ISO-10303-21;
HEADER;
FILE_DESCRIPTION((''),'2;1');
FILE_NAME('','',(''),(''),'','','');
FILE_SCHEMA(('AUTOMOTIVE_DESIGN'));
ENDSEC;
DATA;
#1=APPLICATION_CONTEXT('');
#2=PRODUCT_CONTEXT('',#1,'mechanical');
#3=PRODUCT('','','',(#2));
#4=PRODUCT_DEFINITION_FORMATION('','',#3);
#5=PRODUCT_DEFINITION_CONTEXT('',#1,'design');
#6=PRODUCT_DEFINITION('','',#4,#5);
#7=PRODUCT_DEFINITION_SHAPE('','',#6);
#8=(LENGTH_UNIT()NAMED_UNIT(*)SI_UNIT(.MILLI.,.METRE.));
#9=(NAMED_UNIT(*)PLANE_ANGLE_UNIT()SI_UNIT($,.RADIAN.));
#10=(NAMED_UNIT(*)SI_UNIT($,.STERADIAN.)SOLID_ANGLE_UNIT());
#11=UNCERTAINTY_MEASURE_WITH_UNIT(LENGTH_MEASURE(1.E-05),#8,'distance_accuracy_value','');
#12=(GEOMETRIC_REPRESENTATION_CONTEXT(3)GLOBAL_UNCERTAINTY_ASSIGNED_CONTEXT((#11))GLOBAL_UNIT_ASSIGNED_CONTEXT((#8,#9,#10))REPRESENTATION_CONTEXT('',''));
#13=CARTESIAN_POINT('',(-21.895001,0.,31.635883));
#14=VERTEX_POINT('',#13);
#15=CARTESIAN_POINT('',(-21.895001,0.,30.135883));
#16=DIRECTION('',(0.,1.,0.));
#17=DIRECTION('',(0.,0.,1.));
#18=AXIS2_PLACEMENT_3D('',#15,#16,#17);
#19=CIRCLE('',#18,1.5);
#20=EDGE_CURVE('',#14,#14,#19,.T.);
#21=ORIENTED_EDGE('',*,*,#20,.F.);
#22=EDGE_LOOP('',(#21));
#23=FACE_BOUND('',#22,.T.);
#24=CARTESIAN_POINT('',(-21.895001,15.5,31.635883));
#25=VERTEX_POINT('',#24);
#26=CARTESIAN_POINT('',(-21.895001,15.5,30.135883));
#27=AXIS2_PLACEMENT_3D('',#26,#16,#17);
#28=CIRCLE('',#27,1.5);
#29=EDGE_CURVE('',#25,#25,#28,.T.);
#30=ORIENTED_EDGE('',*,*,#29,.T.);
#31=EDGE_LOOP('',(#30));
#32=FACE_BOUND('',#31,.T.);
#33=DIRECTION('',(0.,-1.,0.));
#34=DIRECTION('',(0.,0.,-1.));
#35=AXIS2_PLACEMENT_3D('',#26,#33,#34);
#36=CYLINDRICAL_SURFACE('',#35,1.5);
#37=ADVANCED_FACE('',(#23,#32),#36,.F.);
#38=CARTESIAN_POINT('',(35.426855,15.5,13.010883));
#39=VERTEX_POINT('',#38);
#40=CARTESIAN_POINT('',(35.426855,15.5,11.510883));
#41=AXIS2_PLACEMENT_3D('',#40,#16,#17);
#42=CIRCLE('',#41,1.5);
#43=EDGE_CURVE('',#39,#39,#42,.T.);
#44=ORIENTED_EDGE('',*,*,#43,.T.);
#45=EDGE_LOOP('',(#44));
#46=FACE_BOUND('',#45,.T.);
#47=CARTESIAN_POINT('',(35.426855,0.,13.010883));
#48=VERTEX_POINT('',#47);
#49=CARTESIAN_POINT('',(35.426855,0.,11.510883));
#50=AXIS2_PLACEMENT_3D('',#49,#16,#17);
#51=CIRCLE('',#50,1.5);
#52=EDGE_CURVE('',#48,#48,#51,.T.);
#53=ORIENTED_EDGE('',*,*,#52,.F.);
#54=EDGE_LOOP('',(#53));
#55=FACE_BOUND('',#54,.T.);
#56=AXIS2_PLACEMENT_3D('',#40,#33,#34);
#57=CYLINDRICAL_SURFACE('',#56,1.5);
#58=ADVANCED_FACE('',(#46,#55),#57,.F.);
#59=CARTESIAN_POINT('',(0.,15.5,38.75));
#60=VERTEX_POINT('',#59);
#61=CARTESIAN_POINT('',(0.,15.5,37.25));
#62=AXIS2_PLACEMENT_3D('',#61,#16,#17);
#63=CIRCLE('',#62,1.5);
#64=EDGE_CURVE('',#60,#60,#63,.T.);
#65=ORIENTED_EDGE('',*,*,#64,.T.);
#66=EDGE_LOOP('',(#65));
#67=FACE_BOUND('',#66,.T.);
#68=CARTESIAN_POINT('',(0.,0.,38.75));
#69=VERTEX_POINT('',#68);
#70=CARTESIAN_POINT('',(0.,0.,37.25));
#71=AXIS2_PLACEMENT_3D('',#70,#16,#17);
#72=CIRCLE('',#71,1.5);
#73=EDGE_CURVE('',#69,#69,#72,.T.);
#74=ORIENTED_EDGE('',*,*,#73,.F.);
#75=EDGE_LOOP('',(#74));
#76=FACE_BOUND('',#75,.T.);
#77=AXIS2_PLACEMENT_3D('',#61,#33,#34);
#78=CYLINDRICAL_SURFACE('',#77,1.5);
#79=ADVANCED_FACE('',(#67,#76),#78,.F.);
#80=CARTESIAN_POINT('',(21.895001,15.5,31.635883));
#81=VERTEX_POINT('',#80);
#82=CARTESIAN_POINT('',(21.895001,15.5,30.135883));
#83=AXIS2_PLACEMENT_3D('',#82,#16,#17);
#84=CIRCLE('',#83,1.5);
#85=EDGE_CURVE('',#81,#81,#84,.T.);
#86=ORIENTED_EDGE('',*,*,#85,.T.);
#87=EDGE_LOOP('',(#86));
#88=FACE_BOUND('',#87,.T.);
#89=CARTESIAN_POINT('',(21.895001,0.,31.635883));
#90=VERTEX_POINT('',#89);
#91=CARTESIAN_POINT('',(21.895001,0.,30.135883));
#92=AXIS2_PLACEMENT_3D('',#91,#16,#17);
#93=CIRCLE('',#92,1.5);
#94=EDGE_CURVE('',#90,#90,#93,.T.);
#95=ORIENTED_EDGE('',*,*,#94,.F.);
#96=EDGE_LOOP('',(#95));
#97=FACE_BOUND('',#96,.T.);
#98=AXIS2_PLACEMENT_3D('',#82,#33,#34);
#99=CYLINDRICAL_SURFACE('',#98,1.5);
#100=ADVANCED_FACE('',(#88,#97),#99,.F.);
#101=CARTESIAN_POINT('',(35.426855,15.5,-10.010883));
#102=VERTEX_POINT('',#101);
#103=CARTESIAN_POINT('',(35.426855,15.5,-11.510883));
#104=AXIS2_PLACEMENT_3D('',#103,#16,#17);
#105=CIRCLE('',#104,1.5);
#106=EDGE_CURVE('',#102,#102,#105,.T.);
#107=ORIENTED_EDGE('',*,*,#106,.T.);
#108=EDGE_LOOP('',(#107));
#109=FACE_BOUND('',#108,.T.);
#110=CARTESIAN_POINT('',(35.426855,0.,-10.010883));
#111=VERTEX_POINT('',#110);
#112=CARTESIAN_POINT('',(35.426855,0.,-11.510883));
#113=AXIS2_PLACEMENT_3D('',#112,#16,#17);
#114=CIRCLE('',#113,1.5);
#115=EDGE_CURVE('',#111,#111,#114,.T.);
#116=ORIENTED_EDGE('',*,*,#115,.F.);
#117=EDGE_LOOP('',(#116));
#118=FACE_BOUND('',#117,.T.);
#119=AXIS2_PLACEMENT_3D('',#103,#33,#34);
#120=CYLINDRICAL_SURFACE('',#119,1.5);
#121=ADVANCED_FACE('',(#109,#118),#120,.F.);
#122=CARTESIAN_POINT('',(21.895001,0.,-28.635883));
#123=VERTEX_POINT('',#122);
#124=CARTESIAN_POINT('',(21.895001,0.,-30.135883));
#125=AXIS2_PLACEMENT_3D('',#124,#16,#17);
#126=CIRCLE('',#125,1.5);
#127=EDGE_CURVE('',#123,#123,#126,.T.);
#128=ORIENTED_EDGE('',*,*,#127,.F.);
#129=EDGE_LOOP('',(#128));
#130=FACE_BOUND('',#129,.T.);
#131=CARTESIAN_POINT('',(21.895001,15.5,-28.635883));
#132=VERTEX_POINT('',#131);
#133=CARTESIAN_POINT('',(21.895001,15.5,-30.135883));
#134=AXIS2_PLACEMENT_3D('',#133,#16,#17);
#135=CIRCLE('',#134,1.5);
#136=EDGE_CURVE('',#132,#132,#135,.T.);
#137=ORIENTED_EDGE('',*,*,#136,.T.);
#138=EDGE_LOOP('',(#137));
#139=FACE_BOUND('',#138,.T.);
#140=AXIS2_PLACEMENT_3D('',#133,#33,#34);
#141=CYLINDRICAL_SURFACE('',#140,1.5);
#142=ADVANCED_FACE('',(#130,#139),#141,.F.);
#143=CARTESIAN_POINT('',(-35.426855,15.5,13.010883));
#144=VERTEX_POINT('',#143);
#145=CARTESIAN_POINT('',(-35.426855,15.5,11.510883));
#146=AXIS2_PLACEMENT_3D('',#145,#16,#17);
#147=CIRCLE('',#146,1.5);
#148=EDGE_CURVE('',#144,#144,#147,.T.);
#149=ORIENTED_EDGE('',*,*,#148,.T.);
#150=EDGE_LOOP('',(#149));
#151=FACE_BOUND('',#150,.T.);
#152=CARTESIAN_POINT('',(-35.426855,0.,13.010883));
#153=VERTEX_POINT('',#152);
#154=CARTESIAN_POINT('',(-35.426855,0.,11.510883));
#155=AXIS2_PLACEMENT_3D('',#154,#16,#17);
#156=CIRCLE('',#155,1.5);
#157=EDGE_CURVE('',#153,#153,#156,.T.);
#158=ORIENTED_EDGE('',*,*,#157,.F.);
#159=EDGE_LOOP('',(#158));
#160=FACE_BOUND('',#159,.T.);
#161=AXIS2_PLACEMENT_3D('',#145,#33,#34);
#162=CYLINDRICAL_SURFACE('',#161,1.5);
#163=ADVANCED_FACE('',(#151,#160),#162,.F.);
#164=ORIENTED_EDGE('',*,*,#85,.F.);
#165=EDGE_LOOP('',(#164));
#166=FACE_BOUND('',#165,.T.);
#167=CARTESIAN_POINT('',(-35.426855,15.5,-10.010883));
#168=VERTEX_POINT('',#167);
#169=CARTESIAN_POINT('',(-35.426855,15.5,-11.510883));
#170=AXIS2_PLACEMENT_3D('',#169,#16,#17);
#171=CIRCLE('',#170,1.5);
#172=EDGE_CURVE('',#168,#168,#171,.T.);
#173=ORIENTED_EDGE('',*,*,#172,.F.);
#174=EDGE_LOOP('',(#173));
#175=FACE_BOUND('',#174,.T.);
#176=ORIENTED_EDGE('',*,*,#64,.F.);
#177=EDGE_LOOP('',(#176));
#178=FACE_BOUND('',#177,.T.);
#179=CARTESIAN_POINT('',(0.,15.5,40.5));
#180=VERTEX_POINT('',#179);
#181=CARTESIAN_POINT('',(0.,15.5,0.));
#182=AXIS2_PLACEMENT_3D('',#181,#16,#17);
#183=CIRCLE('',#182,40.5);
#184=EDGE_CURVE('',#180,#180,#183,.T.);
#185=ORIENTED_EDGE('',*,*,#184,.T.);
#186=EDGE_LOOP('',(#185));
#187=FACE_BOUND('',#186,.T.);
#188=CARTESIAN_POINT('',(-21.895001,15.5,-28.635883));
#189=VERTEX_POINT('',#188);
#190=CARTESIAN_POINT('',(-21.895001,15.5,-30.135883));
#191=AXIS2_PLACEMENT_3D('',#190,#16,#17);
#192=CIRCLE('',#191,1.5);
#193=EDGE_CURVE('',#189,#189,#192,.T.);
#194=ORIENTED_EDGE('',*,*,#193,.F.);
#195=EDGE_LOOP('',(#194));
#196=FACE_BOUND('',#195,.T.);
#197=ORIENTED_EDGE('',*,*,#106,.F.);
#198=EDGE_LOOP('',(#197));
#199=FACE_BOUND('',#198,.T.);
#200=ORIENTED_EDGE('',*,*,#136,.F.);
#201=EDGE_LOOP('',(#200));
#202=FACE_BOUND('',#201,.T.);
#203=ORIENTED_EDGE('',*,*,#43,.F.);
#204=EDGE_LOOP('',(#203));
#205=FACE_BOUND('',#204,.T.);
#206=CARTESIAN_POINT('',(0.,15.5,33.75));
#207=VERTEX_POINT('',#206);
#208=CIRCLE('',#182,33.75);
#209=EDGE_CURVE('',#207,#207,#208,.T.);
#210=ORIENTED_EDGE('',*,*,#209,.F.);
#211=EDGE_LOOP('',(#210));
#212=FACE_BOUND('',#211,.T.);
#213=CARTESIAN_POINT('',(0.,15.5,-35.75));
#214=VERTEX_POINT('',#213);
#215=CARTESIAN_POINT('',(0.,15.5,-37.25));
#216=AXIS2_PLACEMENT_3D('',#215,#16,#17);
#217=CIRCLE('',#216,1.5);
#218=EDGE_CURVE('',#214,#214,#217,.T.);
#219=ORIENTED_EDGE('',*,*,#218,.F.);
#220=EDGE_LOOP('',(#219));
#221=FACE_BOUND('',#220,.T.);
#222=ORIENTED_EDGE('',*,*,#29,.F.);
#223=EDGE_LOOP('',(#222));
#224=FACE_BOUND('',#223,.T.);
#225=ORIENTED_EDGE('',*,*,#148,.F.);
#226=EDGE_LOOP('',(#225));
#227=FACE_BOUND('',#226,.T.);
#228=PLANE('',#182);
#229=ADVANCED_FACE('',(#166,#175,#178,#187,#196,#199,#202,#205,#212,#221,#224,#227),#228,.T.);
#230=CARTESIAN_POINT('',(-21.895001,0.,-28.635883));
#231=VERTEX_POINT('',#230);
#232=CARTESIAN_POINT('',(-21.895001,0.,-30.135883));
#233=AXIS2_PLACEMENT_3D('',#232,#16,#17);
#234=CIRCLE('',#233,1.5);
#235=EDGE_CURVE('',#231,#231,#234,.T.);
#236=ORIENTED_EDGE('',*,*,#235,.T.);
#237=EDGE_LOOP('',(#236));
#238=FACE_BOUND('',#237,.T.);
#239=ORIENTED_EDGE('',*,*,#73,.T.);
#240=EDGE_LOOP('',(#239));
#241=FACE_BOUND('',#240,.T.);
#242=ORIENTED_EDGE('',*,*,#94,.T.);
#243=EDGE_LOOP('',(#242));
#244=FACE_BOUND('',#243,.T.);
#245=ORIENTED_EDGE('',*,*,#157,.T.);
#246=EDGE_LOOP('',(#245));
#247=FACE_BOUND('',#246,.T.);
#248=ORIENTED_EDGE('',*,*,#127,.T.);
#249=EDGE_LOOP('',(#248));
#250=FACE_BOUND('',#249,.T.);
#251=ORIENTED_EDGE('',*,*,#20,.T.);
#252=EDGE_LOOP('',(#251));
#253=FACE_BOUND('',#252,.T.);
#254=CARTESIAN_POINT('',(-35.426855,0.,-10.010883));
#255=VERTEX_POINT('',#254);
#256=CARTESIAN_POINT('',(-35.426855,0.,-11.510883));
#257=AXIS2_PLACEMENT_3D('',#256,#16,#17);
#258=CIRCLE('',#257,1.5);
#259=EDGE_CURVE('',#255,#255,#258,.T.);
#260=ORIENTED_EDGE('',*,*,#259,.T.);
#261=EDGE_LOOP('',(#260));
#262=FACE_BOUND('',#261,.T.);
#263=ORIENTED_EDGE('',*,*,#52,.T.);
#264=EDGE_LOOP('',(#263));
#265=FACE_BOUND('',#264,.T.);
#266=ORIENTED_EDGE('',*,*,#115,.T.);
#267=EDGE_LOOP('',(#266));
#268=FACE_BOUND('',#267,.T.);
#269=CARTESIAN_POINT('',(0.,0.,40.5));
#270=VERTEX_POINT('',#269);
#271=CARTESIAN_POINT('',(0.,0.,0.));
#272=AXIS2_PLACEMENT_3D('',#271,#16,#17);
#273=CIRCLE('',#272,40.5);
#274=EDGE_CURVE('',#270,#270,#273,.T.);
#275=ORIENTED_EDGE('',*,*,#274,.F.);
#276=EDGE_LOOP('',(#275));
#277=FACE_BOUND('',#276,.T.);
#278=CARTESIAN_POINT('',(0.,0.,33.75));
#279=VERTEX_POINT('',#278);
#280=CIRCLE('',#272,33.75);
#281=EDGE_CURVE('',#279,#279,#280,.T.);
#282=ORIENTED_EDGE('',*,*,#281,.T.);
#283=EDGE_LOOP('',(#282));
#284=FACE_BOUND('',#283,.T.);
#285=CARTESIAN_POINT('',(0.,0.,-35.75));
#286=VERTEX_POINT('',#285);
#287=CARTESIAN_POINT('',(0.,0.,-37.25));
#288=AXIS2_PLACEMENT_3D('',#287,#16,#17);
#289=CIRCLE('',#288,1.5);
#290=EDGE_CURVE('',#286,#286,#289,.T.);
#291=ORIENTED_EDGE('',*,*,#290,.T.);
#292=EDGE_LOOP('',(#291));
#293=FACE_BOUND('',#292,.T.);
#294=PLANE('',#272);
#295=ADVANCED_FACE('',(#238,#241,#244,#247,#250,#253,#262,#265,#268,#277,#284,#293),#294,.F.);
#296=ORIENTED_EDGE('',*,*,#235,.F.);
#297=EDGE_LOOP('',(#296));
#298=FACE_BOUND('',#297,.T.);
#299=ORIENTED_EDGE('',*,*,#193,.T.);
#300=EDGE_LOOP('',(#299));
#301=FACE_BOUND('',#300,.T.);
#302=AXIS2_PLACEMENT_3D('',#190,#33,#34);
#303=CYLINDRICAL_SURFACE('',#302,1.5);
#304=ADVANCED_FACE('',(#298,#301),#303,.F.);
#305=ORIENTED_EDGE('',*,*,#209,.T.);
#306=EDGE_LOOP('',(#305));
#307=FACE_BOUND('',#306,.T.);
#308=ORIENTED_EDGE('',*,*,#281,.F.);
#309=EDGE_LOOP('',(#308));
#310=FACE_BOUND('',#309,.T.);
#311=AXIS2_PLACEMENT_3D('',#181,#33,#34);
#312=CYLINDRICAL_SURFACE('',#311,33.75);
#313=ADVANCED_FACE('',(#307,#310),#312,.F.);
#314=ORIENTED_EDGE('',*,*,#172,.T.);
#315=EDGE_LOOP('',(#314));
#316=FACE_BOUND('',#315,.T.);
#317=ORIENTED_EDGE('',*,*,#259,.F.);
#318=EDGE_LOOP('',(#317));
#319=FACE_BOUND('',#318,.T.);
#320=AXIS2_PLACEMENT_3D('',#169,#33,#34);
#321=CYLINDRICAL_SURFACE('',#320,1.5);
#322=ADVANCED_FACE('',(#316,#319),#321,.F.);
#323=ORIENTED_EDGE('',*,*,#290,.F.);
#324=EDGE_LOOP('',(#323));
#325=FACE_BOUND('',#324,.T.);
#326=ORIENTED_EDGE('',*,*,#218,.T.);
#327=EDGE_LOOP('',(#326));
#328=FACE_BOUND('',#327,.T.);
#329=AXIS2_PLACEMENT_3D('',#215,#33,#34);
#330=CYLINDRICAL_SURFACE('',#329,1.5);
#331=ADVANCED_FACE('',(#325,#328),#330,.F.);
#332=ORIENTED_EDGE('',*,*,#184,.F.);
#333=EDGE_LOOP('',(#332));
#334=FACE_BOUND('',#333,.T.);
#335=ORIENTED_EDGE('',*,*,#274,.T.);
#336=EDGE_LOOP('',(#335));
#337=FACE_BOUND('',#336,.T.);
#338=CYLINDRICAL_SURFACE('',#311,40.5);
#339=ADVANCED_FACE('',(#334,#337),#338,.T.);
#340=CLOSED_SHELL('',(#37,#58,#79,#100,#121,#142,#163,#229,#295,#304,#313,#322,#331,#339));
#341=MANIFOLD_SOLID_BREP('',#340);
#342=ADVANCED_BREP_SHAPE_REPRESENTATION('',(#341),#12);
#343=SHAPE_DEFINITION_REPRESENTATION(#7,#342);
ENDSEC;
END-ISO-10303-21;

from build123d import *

# Parameters (mm, degrees)
SKETCH1_R           = 40.5
SKETCH1_R_2         = 1.5
SKETCH1_R_3         = 33.75
BOSS_EXTRUDE1_DEPTH = 15.5


with BuildPart() as part:
    # Sketch1 → Boss-Extrude1 (new body)
    with BuildSketch(Plane(origin=(0, 0, 0), x_dir=(1, 0, 0), z_dir=(0, 1, 0))):
        with Locations(Location((0, 0, 0), (0, 0, 270))):
            Circle(SKETCH1_R)
        with Locations(Location((0, 37.25, 0), (0, 0, 270))):
            Circle(SKETCH1_R_2, mode=Mode.SUBTRACT)
        with Locations(Location((21.895000648, 30.13588304, 0), (0, 0, 270))):
            Circle(SKETCH1_R_2, mode=Mode.SUBTRACT)
        with Locations(Location((35.426855232, 11.51088304, 0), (0, 0, 270))):
            Circle(SKETCH1_R_2, mode=Mode.SUBTRACT)
        with Locations(Location((35.426855232, -11.51088304, 0), (0, 0, 270))):
            Circle(SKETCH1_R_2, mode=Mode.SUBTRACT)
        with Locations(Location((21.895000648, -30.13588304, 0), (0, 0, 270))):
            Circle(SKETCH1_R_2, mode=Mode.SUBTRACT)
        with Locations(Location((0, -37.25, 0), (0, 0, 270))):
            Circle(SKETCH1_R_2, mode=Mode.SUBTRACT)
        with Locations(Location((-21.895000648, -30.13588304, 0), (0, 0, 270))):
            Circle(SKETCH1_R_2, mode=Mode.SUBTRACT)
        with Locations(Location((-35.426855232, -11.51088304, 0), (0, 0, 270))):
            Circle(SKETCH1_R_2, mode=Mode.SUBTRACT)
        with Locations(Location((-35.426855232, 11.51088304, 0), (0, 0, 270))):
            Circle(SKETCH1_R_2, mode=Mode.SUBTRACT)
        with Locations(Location((-21.895000648, 30.13588304, 0), (0, 0, 270))):
            Circle(SKETCH1_R_2, mode=Mode.SUBTRACT)
        with Locations(Location((0, 0, 0), (0, 0, 270))):
            Circle(SKETCH1_R_3, mode=Mode.SUBTRACT)
    extrude(amount=BOSS_EXTRUDE1_DEPTH)


solid = part.part
